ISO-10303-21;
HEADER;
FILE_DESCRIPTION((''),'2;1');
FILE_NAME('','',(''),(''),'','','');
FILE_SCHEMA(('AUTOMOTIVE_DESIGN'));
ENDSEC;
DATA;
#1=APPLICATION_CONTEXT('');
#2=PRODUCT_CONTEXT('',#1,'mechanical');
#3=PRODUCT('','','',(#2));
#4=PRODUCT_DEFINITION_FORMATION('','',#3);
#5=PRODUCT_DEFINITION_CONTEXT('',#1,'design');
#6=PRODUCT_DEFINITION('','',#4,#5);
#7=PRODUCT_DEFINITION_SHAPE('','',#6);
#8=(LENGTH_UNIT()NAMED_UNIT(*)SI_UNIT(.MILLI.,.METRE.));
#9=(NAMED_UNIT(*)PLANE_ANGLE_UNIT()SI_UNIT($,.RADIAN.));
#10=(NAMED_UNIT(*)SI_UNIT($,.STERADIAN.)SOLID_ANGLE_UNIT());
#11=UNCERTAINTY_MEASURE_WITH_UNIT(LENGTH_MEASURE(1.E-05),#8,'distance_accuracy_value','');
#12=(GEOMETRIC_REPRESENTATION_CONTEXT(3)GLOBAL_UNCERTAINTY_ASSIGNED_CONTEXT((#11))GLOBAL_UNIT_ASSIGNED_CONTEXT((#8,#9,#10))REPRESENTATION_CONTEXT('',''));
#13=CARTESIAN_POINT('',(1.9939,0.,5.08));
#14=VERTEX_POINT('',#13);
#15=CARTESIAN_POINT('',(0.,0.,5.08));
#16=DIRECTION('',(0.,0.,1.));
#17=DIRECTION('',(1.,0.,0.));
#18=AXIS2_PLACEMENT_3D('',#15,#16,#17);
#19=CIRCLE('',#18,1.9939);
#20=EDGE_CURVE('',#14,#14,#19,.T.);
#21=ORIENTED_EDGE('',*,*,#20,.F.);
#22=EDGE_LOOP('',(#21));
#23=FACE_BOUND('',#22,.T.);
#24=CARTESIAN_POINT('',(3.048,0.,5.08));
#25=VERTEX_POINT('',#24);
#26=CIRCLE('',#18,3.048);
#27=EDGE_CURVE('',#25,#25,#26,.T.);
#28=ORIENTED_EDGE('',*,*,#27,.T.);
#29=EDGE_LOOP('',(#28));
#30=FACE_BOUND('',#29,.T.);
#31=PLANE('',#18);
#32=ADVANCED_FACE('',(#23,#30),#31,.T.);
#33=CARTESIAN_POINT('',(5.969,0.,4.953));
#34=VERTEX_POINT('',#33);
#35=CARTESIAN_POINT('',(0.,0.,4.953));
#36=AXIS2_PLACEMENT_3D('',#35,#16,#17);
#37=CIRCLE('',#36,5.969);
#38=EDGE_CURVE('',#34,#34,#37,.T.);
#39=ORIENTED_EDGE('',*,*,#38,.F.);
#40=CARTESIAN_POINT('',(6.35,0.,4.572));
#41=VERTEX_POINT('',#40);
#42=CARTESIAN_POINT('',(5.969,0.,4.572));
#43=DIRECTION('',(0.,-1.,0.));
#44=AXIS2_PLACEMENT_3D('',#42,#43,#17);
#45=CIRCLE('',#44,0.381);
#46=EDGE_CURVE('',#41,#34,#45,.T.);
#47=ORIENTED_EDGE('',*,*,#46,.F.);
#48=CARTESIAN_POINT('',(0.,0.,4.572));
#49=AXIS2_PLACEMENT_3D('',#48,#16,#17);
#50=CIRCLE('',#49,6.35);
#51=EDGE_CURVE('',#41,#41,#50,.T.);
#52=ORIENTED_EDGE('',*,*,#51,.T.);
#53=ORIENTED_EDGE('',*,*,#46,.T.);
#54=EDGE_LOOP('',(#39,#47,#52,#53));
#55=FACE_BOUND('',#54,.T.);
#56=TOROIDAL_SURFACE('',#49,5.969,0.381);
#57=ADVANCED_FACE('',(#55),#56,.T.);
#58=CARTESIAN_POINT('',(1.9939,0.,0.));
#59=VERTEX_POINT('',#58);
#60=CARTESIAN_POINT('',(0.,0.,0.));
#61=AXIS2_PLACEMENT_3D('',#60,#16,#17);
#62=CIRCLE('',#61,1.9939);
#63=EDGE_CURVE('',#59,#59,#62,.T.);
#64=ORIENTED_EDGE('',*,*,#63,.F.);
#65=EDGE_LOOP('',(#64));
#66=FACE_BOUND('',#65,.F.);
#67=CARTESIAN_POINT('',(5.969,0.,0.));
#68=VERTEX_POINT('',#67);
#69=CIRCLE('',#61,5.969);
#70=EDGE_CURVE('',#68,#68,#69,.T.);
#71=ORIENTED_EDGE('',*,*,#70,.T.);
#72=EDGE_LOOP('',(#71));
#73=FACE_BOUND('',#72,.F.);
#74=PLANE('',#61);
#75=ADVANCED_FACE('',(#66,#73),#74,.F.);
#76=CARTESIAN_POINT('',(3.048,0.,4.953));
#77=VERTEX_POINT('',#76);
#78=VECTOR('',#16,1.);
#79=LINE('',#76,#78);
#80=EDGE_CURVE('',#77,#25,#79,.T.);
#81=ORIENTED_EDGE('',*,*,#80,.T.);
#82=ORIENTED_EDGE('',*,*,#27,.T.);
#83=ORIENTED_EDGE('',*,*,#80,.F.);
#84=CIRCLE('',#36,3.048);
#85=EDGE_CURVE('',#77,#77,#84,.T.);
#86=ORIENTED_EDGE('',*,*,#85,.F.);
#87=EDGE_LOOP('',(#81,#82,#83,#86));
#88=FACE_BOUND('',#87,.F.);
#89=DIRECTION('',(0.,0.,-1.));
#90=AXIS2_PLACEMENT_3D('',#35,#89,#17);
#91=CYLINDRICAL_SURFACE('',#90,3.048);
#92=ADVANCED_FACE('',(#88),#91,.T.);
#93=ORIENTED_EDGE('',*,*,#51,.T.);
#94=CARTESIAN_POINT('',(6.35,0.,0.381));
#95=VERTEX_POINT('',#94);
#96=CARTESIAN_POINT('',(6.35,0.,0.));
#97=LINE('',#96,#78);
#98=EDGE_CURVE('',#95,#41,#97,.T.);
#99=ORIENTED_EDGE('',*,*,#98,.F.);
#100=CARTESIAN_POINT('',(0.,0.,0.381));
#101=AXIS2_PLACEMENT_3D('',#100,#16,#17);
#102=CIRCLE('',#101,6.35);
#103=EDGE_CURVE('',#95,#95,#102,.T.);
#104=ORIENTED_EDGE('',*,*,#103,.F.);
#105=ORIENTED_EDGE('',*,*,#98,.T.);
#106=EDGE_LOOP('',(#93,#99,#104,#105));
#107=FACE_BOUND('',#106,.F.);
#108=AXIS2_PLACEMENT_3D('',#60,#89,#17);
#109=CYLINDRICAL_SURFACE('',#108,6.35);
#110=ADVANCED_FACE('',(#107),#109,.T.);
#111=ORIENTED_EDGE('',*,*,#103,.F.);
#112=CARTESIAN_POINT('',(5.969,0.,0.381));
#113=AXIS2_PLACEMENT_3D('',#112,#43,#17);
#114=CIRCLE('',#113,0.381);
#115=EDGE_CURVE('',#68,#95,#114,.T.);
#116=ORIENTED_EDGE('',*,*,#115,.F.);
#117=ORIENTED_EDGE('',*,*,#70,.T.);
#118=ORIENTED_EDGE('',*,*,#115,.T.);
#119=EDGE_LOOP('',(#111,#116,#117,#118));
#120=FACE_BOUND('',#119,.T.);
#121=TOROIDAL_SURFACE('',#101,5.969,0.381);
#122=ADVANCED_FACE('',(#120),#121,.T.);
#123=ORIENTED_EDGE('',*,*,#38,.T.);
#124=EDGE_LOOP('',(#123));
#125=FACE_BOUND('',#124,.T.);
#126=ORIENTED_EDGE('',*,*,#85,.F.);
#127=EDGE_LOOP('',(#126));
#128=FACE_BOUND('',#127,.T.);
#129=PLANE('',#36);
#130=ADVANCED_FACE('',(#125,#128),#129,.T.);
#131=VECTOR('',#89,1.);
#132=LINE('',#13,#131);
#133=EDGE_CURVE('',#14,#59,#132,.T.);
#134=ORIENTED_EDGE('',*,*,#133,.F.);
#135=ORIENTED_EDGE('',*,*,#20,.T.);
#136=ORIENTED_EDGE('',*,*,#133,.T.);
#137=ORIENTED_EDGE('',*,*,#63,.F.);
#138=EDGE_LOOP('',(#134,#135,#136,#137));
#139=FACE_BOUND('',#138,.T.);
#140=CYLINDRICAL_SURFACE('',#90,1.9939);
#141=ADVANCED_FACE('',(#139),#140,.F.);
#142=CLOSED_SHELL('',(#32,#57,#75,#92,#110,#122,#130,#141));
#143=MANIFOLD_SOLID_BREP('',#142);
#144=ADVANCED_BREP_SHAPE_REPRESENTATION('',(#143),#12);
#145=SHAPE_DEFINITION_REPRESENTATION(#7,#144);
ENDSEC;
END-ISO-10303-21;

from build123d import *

# Parameters (mm, degrees)
F0_R     = 6.35
F0_R_2   = 1.9939
F1_DEPTH = 4.953
F2_R     = 3.048
F2_R_2   = 1.9939
F3_DEPTH = 0.127
F4_R     = 0.381


with BuildPart() as f1:
    # F0 (on Top) → F1 (new body)
    with BuildSketch(Plane.XY):
        Circle(F0_R)
        Circle(F0_R_2, mode=Mode.SUBTRACT)
    extrude(amount=F1_DEPTH)

    # F2 (on face) → F3 (join)
    with BuildSketch(Plane.XY.offset(4.953)):
        Circle(F2_R)
        Circle(F2_R_2, mode=Mode.SUBTRACT)
    extrude(amount=F3_DEPTH)

    # F4
    f4_edges = [f1.edges().sort_by_distance(p)[0] for p in [
        (-6.35, 0, 4.953),
        (-6.35, 0, 0),
    ]]
    fillet(f4_edges, radius=F4_R)


solid = f1.part
